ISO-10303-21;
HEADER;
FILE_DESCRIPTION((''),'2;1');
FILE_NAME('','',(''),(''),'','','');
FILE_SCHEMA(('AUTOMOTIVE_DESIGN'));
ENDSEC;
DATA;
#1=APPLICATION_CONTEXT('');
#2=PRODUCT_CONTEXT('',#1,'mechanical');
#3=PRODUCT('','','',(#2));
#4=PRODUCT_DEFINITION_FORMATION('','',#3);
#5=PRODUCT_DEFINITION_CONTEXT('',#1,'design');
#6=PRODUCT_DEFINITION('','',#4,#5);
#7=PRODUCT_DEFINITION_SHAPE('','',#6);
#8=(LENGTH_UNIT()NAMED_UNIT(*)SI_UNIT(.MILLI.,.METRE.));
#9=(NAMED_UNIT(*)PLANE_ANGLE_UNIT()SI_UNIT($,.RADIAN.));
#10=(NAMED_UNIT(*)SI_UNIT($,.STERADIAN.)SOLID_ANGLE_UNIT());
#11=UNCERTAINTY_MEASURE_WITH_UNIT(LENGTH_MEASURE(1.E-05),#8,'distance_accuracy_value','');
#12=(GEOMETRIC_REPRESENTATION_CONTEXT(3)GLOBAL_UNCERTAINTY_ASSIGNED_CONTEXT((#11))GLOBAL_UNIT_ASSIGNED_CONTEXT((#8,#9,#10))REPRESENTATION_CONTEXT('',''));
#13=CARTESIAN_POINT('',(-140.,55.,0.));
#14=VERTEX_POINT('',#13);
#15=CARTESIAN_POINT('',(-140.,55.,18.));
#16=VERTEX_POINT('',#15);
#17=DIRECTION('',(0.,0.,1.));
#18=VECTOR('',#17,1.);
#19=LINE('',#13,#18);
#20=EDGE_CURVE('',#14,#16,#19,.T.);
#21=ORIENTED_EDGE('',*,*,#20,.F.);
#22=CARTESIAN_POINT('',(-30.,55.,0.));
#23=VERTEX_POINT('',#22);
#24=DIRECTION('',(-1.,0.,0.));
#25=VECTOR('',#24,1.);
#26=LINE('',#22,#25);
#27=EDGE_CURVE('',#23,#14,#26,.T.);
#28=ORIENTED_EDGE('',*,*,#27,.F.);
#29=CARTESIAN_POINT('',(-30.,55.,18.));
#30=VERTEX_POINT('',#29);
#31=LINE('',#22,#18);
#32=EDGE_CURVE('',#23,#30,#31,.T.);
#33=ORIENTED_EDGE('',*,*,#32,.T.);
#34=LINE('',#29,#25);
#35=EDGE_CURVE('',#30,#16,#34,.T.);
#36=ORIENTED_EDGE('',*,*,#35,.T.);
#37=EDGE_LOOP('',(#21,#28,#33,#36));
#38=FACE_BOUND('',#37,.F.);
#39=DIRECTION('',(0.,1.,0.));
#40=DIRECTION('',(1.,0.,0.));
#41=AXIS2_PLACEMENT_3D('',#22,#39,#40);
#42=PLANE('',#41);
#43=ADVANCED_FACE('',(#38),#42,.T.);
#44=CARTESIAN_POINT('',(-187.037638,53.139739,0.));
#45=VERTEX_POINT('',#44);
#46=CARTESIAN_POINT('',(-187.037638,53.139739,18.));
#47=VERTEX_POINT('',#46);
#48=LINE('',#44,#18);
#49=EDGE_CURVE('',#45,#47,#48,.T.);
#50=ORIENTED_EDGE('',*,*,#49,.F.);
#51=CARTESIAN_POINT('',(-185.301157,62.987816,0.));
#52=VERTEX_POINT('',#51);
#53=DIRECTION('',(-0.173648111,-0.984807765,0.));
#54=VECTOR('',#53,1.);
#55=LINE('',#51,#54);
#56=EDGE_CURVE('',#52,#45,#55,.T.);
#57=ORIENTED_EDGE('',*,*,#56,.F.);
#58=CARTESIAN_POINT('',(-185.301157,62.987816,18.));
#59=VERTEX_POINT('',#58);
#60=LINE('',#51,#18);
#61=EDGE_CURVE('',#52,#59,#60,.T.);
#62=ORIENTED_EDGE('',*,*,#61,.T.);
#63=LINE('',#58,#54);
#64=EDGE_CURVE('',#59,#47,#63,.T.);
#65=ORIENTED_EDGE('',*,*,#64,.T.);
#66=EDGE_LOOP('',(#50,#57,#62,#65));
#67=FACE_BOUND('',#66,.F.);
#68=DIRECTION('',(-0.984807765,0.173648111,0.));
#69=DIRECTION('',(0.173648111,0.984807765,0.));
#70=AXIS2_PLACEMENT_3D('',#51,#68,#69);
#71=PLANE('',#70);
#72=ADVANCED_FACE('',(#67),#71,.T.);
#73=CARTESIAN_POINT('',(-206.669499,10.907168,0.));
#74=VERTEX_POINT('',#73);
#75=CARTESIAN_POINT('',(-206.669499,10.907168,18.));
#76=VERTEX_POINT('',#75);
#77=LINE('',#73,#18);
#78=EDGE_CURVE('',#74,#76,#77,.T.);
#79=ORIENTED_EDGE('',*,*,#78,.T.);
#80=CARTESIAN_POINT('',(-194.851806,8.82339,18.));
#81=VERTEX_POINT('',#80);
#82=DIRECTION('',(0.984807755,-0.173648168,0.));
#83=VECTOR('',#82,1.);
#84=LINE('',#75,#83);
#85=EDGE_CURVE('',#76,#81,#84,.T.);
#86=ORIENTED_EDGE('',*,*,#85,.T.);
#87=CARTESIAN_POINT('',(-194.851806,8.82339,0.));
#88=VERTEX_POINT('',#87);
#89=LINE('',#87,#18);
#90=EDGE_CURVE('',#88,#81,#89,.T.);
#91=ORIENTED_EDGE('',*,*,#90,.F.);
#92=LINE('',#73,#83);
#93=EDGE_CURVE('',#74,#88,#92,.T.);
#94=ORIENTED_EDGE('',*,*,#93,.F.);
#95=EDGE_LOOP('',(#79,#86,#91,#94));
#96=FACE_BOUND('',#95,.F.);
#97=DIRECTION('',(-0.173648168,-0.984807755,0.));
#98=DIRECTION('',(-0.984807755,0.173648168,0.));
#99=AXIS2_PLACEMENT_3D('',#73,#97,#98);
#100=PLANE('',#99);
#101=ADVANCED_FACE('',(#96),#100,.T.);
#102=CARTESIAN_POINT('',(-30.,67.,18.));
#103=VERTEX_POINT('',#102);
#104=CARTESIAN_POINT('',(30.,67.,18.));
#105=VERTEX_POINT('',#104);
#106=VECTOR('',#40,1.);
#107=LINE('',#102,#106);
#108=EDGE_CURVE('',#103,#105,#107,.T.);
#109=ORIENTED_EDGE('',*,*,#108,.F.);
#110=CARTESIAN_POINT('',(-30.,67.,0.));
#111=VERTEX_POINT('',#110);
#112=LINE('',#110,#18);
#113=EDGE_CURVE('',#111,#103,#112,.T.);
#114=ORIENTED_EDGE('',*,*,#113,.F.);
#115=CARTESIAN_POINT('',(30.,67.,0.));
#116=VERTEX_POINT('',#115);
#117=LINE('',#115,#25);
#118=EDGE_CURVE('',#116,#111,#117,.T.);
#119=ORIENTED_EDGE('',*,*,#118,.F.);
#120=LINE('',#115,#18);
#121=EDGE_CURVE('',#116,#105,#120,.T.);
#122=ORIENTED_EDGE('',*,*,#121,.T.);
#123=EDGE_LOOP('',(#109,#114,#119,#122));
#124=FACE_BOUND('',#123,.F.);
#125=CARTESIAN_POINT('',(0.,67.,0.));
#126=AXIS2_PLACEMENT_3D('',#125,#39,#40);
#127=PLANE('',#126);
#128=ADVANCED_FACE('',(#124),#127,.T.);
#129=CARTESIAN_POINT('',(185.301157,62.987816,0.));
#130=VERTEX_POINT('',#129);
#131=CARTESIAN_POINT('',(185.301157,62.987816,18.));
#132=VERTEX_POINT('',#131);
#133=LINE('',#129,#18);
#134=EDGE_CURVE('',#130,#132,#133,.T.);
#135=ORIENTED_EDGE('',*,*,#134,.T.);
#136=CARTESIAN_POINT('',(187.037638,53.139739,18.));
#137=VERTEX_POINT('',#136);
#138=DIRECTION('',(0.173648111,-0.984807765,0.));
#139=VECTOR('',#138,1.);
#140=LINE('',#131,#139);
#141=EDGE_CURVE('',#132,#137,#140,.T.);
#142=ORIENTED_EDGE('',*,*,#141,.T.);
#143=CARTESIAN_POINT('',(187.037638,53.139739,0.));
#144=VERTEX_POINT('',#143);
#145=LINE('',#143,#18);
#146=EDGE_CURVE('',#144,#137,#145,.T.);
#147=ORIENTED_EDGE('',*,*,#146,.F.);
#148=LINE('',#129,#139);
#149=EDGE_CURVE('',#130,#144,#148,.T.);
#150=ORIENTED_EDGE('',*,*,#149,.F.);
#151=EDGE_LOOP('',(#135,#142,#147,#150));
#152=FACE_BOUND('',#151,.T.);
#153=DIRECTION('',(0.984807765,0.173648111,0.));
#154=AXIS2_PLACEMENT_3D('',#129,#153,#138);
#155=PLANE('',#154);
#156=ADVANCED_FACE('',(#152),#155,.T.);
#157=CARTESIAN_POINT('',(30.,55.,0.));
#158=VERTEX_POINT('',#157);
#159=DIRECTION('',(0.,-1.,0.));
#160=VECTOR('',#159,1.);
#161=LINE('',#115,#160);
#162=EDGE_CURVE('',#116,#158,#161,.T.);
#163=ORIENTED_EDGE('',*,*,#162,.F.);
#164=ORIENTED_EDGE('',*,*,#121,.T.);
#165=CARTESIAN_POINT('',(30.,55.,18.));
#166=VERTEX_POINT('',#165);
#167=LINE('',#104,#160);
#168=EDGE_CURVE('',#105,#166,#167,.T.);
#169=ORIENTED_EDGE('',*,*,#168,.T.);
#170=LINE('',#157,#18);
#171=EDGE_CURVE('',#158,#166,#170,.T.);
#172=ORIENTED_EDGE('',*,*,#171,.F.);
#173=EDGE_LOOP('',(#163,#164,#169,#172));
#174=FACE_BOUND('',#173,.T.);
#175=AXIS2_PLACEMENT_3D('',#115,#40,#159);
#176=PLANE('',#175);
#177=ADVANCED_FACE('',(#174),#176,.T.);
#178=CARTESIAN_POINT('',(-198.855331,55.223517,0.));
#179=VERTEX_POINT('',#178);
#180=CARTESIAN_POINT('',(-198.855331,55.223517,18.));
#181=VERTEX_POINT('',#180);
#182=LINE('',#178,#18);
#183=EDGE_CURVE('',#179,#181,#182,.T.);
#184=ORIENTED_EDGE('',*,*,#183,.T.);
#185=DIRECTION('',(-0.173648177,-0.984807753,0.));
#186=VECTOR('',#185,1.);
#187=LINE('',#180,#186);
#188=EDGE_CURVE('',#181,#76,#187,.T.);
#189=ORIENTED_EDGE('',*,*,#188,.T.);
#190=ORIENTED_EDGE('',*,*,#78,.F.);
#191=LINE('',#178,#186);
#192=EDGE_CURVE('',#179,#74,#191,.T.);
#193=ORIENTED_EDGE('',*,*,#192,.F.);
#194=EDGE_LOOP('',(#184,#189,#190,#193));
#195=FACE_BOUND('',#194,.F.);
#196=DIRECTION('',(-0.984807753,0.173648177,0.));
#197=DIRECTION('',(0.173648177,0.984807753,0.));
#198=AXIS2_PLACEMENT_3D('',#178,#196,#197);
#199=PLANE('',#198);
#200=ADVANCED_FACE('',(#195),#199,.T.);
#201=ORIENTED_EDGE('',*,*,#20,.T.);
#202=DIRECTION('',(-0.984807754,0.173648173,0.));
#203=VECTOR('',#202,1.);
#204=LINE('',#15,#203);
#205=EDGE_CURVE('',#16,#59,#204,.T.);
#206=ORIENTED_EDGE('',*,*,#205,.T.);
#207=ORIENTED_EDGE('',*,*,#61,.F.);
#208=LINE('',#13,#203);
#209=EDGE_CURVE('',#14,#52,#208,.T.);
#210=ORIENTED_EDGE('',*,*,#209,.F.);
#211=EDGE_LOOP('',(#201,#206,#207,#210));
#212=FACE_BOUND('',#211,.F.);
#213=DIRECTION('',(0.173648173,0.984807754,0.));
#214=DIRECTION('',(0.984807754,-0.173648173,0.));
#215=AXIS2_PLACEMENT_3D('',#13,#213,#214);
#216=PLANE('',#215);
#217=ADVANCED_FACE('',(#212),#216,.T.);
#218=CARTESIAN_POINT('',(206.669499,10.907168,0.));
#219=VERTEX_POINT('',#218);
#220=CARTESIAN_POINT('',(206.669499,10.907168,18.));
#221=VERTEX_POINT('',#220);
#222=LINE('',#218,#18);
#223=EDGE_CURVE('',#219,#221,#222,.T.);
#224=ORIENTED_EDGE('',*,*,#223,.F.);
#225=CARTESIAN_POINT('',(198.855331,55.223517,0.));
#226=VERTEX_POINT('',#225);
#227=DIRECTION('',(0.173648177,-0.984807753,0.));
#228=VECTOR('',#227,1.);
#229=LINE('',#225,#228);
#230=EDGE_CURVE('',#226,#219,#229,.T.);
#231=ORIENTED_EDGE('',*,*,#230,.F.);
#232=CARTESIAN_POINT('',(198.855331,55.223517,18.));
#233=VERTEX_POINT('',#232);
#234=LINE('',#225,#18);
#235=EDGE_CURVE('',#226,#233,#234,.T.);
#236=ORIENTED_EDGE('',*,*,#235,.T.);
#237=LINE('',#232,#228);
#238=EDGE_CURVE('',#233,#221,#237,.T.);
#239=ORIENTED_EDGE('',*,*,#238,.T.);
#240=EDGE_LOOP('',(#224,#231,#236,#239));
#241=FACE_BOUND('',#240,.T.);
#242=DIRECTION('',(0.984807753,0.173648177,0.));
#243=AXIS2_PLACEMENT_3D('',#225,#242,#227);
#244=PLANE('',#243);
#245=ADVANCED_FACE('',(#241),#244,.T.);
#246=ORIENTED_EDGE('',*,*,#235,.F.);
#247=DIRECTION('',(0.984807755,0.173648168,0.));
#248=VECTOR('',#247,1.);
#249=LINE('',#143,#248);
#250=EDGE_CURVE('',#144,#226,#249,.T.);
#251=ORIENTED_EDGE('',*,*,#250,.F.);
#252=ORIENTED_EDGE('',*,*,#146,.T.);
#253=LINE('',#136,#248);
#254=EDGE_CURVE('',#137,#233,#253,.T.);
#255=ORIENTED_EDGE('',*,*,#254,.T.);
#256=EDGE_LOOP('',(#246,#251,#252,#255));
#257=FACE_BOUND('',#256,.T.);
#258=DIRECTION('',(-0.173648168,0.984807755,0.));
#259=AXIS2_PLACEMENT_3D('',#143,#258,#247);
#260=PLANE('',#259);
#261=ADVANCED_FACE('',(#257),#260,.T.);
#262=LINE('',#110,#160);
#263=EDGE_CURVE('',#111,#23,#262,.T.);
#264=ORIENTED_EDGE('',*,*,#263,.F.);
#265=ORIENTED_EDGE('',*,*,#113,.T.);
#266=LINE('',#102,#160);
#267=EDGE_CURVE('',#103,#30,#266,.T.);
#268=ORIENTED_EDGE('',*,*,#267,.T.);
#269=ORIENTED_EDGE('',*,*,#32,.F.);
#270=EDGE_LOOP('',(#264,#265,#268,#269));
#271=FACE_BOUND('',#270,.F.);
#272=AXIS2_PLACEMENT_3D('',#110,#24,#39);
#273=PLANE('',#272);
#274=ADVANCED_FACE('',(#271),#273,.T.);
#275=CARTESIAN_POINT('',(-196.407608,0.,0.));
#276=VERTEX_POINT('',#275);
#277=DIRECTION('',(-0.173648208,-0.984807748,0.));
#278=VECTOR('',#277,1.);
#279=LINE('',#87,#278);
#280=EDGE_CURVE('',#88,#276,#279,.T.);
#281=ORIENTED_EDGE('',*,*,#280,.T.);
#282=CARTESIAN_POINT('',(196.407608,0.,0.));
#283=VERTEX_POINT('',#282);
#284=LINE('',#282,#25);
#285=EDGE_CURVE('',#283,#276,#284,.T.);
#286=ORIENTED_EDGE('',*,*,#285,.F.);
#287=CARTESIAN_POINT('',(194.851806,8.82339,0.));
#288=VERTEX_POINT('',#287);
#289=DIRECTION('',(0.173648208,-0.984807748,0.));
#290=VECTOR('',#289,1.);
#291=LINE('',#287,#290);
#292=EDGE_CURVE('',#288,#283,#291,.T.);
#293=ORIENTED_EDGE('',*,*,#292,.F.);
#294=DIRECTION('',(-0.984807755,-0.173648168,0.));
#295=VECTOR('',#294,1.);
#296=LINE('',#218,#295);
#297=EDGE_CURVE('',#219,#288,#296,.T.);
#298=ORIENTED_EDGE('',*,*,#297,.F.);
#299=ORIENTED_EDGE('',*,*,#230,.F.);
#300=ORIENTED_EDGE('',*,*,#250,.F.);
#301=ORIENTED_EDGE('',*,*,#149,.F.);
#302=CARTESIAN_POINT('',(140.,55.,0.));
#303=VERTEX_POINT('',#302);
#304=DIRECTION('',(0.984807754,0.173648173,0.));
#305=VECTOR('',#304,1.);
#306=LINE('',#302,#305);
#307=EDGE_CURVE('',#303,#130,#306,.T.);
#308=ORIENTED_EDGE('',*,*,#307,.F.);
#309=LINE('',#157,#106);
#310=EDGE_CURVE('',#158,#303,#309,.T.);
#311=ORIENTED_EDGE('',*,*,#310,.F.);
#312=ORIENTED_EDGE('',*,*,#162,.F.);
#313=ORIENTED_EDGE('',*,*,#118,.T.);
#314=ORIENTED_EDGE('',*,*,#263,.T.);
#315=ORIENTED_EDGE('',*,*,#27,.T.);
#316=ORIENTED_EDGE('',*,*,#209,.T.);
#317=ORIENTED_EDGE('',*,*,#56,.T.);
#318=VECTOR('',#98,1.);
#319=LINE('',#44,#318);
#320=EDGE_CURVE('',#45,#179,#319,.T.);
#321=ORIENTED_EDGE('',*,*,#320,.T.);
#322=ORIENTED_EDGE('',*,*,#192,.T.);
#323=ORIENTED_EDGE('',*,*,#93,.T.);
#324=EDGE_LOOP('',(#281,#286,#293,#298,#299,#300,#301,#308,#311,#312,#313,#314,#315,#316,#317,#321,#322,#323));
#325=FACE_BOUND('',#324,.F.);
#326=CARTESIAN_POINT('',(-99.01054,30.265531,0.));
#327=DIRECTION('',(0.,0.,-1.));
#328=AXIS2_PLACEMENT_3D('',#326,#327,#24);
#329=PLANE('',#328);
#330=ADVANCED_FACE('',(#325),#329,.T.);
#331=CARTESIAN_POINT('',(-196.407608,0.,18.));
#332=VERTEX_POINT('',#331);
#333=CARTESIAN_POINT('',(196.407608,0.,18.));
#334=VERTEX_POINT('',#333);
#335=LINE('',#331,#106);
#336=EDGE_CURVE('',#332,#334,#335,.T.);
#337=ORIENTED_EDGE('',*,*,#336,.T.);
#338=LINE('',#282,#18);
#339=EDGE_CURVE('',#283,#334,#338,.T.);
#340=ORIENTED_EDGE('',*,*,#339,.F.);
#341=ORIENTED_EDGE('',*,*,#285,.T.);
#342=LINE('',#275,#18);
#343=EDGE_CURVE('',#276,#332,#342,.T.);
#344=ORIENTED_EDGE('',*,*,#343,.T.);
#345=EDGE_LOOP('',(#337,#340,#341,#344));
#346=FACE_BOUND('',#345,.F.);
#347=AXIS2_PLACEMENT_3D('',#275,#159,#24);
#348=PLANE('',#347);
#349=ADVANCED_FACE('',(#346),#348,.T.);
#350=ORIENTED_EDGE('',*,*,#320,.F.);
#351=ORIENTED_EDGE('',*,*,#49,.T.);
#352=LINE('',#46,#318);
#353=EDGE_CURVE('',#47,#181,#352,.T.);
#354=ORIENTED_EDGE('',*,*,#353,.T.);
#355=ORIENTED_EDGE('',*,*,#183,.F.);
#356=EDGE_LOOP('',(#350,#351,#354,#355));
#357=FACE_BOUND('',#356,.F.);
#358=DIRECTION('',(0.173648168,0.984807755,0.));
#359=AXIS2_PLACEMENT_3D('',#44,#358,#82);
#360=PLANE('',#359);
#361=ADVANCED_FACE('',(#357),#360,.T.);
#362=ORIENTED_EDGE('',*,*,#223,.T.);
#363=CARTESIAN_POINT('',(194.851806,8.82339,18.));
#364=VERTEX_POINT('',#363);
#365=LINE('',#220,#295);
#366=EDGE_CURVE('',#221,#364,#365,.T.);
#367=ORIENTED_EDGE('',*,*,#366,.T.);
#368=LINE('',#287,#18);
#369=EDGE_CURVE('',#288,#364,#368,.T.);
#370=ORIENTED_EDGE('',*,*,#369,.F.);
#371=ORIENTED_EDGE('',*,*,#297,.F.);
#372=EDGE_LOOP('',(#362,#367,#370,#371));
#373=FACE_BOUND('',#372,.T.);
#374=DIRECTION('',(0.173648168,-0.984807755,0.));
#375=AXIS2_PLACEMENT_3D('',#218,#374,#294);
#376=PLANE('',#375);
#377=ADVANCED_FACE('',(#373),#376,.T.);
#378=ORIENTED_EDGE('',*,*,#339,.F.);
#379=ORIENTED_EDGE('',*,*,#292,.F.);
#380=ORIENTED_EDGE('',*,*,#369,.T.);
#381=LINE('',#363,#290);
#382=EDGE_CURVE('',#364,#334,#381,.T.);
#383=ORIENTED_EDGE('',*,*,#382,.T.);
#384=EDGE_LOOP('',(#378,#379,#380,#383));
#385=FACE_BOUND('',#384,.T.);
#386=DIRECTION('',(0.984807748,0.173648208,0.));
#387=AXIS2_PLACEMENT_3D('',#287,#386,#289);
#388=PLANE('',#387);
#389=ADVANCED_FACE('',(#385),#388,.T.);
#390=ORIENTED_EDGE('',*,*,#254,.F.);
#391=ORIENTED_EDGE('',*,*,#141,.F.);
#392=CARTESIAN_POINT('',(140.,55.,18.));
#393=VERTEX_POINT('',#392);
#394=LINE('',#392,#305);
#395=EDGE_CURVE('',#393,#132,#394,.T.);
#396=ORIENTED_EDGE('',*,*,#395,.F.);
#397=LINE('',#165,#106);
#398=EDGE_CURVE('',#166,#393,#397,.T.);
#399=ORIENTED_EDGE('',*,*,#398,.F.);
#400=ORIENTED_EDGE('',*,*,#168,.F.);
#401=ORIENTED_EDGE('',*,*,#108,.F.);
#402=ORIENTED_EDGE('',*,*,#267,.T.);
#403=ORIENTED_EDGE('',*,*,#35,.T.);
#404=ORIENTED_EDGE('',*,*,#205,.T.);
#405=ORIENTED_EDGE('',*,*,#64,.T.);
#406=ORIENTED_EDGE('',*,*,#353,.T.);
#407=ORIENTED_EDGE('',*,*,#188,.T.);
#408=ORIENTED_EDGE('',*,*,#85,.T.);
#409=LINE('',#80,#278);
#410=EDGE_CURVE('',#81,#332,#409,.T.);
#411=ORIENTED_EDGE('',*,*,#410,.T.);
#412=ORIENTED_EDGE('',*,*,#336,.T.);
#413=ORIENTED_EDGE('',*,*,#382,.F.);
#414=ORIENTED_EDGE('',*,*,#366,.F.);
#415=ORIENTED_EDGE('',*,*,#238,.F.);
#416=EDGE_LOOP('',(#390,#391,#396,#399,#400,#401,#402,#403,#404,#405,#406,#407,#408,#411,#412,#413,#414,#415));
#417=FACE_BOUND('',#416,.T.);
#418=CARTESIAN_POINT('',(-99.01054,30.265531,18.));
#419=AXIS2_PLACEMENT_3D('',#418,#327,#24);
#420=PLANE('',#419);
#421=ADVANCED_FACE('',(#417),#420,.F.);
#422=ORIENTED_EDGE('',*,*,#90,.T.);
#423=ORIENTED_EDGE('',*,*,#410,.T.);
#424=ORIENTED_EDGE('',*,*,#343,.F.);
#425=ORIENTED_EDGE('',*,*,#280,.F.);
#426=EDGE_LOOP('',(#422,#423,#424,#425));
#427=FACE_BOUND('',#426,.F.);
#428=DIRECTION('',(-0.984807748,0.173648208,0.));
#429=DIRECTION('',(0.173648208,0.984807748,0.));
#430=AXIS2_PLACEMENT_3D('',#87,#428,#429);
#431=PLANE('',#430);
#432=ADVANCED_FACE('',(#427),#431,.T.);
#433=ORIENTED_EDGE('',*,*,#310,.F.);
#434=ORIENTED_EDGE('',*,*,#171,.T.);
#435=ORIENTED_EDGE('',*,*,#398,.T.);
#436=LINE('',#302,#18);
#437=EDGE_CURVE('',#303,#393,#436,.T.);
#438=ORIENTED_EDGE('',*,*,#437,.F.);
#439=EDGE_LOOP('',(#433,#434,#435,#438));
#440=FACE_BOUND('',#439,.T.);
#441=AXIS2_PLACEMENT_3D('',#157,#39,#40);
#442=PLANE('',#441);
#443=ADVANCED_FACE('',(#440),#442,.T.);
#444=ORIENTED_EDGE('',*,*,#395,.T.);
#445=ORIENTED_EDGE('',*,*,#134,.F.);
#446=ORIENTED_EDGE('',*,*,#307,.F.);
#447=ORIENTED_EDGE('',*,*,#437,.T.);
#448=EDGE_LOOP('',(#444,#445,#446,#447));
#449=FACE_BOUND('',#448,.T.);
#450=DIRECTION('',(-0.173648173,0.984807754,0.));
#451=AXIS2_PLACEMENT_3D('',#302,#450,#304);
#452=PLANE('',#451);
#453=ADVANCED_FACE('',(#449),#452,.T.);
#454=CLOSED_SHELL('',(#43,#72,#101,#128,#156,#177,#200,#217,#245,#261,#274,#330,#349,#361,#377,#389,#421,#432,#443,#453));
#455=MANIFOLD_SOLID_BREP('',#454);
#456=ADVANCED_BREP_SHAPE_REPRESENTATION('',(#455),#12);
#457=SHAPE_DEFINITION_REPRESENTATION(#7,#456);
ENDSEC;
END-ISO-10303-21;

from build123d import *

# Parameters (mm, degrees)
PAD_DEPTH = 18


with BuildPart() as part:
    # Sketch → Pad (new body)
    with BuildSketch(Plane.XY):
        Polygon((0, 67), (30, 67), (30, 55), (140, 55), (185.301157, 62.987816), (187.037638, 53.139739), (198.855331, 55.223517), (206.669499, 10.907168), (194.851806, 8.82339), (196.407608, 0), (0, 0), align=None)
    pad = extrude(amount=PAD_DEPTH)

    # Mirrored: Pad across Sketch V_Axis
    add(pad.mirror(Plane(origin=(0, 0, 0), x_dir=(0, 0, 1), z_dir=(1, 0, 0))))


solid = part.part
